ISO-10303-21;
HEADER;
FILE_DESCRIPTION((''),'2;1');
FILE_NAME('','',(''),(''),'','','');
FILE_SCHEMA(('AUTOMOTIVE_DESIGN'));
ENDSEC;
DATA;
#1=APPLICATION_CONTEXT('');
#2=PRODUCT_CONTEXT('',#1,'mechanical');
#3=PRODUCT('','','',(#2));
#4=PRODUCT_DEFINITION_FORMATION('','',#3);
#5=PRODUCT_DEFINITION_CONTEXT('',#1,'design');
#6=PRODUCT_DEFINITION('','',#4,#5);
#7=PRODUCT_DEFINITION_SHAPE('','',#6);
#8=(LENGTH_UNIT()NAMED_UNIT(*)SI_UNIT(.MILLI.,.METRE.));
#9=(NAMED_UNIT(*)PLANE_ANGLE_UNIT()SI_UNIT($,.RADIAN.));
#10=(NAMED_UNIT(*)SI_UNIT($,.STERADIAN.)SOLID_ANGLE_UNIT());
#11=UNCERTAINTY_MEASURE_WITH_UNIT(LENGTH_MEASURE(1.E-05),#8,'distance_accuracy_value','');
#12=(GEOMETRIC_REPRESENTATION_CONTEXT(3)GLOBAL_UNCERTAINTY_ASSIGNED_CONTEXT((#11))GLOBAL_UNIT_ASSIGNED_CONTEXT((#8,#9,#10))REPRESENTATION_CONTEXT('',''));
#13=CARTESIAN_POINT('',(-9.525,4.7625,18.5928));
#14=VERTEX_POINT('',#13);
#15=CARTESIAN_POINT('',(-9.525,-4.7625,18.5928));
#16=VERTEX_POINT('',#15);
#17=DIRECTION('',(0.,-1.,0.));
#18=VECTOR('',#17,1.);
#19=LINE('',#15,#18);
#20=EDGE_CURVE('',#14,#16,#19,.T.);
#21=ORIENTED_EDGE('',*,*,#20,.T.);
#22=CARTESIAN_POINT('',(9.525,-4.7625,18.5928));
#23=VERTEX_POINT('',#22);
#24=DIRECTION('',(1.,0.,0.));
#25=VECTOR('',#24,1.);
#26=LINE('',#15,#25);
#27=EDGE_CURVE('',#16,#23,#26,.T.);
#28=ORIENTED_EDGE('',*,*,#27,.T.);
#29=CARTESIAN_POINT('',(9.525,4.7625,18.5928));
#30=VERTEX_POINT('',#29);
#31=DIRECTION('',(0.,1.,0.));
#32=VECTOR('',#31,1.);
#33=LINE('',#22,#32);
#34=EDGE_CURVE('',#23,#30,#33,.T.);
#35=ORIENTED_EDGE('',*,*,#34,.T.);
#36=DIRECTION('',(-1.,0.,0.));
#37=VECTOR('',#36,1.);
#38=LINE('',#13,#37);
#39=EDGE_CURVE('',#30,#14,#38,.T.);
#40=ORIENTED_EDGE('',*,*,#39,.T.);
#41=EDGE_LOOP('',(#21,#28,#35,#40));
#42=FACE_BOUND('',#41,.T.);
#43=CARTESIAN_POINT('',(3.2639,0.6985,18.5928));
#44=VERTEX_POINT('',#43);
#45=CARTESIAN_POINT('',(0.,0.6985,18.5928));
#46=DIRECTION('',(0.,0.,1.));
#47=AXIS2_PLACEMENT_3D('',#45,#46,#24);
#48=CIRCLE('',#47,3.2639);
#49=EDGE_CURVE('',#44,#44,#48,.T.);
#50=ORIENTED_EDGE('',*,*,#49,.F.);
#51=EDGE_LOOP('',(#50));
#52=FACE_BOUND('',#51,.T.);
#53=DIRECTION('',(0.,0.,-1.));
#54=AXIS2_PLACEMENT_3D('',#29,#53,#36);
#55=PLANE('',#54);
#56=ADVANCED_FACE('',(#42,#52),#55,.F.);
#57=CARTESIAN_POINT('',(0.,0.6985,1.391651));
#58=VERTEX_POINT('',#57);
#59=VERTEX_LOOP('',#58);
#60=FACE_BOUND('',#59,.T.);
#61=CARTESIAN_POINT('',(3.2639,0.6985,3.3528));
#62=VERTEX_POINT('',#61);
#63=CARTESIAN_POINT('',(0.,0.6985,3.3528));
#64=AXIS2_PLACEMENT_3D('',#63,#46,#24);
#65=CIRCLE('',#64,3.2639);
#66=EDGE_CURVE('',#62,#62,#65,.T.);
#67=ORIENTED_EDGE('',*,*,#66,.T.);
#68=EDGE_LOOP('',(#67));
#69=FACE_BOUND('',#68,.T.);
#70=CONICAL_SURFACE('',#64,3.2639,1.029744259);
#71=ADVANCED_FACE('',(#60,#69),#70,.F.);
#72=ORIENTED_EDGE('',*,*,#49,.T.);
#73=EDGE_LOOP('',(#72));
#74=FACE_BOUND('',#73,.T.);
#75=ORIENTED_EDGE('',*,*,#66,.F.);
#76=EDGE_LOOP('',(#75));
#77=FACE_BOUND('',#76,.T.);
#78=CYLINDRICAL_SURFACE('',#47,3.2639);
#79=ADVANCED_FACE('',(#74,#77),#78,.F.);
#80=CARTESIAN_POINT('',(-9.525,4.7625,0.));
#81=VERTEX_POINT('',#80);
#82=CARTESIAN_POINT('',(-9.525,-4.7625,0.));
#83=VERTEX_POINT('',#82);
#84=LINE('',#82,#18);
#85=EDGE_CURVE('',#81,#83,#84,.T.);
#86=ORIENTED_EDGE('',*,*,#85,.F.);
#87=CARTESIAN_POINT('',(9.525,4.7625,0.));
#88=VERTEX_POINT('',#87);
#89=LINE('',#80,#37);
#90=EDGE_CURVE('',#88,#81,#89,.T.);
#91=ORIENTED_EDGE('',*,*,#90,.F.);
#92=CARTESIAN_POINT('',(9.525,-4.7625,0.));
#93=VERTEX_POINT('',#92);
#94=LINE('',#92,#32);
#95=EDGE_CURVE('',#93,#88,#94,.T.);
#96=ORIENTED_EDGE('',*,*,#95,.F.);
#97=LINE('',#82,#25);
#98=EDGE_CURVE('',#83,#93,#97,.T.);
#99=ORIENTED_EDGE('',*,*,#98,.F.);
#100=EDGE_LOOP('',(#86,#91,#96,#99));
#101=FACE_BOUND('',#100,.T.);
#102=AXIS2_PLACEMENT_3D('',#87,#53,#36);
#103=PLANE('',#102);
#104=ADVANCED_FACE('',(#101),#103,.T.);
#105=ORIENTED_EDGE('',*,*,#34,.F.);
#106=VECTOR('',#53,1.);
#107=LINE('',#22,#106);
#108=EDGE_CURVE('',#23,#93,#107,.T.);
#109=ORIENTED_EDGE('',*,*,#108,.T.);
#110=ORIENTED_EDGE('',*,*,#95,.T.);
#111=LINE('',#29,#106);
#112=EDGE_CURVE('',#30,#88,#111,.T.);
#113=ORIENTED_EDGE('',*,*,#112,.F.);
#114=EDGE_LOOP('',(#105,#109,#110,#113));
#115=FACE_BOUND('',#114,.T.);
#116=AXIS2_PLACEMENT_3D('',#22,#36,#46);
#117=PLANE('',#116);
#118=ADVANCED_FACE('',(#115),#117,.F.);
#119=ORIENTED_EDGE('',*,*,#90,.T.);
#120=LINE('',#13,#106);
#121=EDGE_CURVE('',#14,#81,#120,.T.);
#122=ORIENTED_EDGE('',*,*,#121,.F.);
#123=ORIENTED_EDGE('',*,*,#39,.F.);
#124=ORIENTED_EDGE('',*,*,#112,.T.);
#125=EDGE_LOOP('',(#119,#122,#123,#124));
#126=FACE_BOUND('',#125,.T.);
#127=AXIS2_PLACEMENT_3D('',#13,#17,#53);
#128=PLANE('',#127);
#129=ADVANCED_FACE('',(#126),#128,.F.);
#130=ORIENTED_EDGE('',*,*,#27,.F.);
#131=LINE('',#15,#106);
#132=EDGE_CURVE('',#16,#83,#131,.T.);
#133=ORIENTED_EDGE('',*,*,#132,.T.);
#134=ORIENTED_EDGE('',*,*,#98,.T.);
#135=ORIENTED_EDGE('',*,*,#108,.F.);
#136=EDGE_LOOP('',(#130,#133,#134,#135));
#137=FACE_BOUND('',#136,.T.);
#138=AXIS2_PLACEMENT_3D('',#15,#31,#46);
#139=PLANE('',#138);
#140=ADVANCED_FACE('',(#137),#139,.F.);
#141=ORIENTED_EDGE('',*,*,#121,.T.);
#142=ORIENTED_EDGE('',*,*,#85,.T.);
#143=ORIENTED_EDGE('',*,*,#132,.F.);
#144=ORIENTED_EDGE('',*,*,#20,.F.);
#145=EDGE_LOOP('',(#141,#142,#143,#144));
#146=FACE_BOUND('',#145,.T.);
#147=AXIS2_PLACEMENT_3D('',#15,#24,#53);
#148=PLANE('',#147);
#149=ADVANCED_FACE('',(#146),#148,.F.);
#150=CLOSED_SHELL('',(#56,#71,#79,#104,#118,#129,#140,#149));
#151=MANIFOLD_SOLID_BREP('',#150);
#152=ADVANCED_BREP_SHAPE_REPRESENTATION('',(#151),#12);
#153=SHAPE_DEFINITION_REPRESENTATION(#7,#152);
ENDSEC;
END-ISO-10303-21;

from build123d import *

# Parameters (mm, degrees)
SKETCH1_W                   = 19.05
SKETCH1_H                   = 9.525
EXTRUDE1_DEPTH              = 18.5928
F_1_4_CLEARANCE_HOLE1_D     = 6.5278
F_1_4_CLEARANCE_HOLE1_DEPTH = 15.24
F_1_4_CLEARANCE_HOLE1_TIP   = 1.961148974


with BuildPart() as part:
    # Sketch1 → Extrude1 (new body)
    with BuildSketch(Plane.XY):
        Rectangle(SKETCH1_W, SKETCH1_H)
    extrude(amount=EXTRUDE1_DEPTH)

    # 1/4 Clearance Hole1
    with Locations(Plane(origin=(0, 0.6985, 18.5928), x_dir=(1, 0, 0), z_dir=(0, 0, 1))):
        with Locations((0, 0)):
            Hole(F_1_4_CLEARANCE_HOLE1_D / 2, depth=F_1_4_CLEARANCE_HOLE1_DEPTH)
            with Locations((0, 0, -(F_1_4_CLEARANCE_HOLE1_DEPTH + F_1_4_CLEARANCE_HOLE1_TIP / 2))):  # 118° drill point
                Cone(0, F_1_4_CLEARANCE_HOLE1_D / 2, F_1_4_CLEARANCE_HOLE1_TIP, mode=Mode.SUBTRACT)


solid = part.part
